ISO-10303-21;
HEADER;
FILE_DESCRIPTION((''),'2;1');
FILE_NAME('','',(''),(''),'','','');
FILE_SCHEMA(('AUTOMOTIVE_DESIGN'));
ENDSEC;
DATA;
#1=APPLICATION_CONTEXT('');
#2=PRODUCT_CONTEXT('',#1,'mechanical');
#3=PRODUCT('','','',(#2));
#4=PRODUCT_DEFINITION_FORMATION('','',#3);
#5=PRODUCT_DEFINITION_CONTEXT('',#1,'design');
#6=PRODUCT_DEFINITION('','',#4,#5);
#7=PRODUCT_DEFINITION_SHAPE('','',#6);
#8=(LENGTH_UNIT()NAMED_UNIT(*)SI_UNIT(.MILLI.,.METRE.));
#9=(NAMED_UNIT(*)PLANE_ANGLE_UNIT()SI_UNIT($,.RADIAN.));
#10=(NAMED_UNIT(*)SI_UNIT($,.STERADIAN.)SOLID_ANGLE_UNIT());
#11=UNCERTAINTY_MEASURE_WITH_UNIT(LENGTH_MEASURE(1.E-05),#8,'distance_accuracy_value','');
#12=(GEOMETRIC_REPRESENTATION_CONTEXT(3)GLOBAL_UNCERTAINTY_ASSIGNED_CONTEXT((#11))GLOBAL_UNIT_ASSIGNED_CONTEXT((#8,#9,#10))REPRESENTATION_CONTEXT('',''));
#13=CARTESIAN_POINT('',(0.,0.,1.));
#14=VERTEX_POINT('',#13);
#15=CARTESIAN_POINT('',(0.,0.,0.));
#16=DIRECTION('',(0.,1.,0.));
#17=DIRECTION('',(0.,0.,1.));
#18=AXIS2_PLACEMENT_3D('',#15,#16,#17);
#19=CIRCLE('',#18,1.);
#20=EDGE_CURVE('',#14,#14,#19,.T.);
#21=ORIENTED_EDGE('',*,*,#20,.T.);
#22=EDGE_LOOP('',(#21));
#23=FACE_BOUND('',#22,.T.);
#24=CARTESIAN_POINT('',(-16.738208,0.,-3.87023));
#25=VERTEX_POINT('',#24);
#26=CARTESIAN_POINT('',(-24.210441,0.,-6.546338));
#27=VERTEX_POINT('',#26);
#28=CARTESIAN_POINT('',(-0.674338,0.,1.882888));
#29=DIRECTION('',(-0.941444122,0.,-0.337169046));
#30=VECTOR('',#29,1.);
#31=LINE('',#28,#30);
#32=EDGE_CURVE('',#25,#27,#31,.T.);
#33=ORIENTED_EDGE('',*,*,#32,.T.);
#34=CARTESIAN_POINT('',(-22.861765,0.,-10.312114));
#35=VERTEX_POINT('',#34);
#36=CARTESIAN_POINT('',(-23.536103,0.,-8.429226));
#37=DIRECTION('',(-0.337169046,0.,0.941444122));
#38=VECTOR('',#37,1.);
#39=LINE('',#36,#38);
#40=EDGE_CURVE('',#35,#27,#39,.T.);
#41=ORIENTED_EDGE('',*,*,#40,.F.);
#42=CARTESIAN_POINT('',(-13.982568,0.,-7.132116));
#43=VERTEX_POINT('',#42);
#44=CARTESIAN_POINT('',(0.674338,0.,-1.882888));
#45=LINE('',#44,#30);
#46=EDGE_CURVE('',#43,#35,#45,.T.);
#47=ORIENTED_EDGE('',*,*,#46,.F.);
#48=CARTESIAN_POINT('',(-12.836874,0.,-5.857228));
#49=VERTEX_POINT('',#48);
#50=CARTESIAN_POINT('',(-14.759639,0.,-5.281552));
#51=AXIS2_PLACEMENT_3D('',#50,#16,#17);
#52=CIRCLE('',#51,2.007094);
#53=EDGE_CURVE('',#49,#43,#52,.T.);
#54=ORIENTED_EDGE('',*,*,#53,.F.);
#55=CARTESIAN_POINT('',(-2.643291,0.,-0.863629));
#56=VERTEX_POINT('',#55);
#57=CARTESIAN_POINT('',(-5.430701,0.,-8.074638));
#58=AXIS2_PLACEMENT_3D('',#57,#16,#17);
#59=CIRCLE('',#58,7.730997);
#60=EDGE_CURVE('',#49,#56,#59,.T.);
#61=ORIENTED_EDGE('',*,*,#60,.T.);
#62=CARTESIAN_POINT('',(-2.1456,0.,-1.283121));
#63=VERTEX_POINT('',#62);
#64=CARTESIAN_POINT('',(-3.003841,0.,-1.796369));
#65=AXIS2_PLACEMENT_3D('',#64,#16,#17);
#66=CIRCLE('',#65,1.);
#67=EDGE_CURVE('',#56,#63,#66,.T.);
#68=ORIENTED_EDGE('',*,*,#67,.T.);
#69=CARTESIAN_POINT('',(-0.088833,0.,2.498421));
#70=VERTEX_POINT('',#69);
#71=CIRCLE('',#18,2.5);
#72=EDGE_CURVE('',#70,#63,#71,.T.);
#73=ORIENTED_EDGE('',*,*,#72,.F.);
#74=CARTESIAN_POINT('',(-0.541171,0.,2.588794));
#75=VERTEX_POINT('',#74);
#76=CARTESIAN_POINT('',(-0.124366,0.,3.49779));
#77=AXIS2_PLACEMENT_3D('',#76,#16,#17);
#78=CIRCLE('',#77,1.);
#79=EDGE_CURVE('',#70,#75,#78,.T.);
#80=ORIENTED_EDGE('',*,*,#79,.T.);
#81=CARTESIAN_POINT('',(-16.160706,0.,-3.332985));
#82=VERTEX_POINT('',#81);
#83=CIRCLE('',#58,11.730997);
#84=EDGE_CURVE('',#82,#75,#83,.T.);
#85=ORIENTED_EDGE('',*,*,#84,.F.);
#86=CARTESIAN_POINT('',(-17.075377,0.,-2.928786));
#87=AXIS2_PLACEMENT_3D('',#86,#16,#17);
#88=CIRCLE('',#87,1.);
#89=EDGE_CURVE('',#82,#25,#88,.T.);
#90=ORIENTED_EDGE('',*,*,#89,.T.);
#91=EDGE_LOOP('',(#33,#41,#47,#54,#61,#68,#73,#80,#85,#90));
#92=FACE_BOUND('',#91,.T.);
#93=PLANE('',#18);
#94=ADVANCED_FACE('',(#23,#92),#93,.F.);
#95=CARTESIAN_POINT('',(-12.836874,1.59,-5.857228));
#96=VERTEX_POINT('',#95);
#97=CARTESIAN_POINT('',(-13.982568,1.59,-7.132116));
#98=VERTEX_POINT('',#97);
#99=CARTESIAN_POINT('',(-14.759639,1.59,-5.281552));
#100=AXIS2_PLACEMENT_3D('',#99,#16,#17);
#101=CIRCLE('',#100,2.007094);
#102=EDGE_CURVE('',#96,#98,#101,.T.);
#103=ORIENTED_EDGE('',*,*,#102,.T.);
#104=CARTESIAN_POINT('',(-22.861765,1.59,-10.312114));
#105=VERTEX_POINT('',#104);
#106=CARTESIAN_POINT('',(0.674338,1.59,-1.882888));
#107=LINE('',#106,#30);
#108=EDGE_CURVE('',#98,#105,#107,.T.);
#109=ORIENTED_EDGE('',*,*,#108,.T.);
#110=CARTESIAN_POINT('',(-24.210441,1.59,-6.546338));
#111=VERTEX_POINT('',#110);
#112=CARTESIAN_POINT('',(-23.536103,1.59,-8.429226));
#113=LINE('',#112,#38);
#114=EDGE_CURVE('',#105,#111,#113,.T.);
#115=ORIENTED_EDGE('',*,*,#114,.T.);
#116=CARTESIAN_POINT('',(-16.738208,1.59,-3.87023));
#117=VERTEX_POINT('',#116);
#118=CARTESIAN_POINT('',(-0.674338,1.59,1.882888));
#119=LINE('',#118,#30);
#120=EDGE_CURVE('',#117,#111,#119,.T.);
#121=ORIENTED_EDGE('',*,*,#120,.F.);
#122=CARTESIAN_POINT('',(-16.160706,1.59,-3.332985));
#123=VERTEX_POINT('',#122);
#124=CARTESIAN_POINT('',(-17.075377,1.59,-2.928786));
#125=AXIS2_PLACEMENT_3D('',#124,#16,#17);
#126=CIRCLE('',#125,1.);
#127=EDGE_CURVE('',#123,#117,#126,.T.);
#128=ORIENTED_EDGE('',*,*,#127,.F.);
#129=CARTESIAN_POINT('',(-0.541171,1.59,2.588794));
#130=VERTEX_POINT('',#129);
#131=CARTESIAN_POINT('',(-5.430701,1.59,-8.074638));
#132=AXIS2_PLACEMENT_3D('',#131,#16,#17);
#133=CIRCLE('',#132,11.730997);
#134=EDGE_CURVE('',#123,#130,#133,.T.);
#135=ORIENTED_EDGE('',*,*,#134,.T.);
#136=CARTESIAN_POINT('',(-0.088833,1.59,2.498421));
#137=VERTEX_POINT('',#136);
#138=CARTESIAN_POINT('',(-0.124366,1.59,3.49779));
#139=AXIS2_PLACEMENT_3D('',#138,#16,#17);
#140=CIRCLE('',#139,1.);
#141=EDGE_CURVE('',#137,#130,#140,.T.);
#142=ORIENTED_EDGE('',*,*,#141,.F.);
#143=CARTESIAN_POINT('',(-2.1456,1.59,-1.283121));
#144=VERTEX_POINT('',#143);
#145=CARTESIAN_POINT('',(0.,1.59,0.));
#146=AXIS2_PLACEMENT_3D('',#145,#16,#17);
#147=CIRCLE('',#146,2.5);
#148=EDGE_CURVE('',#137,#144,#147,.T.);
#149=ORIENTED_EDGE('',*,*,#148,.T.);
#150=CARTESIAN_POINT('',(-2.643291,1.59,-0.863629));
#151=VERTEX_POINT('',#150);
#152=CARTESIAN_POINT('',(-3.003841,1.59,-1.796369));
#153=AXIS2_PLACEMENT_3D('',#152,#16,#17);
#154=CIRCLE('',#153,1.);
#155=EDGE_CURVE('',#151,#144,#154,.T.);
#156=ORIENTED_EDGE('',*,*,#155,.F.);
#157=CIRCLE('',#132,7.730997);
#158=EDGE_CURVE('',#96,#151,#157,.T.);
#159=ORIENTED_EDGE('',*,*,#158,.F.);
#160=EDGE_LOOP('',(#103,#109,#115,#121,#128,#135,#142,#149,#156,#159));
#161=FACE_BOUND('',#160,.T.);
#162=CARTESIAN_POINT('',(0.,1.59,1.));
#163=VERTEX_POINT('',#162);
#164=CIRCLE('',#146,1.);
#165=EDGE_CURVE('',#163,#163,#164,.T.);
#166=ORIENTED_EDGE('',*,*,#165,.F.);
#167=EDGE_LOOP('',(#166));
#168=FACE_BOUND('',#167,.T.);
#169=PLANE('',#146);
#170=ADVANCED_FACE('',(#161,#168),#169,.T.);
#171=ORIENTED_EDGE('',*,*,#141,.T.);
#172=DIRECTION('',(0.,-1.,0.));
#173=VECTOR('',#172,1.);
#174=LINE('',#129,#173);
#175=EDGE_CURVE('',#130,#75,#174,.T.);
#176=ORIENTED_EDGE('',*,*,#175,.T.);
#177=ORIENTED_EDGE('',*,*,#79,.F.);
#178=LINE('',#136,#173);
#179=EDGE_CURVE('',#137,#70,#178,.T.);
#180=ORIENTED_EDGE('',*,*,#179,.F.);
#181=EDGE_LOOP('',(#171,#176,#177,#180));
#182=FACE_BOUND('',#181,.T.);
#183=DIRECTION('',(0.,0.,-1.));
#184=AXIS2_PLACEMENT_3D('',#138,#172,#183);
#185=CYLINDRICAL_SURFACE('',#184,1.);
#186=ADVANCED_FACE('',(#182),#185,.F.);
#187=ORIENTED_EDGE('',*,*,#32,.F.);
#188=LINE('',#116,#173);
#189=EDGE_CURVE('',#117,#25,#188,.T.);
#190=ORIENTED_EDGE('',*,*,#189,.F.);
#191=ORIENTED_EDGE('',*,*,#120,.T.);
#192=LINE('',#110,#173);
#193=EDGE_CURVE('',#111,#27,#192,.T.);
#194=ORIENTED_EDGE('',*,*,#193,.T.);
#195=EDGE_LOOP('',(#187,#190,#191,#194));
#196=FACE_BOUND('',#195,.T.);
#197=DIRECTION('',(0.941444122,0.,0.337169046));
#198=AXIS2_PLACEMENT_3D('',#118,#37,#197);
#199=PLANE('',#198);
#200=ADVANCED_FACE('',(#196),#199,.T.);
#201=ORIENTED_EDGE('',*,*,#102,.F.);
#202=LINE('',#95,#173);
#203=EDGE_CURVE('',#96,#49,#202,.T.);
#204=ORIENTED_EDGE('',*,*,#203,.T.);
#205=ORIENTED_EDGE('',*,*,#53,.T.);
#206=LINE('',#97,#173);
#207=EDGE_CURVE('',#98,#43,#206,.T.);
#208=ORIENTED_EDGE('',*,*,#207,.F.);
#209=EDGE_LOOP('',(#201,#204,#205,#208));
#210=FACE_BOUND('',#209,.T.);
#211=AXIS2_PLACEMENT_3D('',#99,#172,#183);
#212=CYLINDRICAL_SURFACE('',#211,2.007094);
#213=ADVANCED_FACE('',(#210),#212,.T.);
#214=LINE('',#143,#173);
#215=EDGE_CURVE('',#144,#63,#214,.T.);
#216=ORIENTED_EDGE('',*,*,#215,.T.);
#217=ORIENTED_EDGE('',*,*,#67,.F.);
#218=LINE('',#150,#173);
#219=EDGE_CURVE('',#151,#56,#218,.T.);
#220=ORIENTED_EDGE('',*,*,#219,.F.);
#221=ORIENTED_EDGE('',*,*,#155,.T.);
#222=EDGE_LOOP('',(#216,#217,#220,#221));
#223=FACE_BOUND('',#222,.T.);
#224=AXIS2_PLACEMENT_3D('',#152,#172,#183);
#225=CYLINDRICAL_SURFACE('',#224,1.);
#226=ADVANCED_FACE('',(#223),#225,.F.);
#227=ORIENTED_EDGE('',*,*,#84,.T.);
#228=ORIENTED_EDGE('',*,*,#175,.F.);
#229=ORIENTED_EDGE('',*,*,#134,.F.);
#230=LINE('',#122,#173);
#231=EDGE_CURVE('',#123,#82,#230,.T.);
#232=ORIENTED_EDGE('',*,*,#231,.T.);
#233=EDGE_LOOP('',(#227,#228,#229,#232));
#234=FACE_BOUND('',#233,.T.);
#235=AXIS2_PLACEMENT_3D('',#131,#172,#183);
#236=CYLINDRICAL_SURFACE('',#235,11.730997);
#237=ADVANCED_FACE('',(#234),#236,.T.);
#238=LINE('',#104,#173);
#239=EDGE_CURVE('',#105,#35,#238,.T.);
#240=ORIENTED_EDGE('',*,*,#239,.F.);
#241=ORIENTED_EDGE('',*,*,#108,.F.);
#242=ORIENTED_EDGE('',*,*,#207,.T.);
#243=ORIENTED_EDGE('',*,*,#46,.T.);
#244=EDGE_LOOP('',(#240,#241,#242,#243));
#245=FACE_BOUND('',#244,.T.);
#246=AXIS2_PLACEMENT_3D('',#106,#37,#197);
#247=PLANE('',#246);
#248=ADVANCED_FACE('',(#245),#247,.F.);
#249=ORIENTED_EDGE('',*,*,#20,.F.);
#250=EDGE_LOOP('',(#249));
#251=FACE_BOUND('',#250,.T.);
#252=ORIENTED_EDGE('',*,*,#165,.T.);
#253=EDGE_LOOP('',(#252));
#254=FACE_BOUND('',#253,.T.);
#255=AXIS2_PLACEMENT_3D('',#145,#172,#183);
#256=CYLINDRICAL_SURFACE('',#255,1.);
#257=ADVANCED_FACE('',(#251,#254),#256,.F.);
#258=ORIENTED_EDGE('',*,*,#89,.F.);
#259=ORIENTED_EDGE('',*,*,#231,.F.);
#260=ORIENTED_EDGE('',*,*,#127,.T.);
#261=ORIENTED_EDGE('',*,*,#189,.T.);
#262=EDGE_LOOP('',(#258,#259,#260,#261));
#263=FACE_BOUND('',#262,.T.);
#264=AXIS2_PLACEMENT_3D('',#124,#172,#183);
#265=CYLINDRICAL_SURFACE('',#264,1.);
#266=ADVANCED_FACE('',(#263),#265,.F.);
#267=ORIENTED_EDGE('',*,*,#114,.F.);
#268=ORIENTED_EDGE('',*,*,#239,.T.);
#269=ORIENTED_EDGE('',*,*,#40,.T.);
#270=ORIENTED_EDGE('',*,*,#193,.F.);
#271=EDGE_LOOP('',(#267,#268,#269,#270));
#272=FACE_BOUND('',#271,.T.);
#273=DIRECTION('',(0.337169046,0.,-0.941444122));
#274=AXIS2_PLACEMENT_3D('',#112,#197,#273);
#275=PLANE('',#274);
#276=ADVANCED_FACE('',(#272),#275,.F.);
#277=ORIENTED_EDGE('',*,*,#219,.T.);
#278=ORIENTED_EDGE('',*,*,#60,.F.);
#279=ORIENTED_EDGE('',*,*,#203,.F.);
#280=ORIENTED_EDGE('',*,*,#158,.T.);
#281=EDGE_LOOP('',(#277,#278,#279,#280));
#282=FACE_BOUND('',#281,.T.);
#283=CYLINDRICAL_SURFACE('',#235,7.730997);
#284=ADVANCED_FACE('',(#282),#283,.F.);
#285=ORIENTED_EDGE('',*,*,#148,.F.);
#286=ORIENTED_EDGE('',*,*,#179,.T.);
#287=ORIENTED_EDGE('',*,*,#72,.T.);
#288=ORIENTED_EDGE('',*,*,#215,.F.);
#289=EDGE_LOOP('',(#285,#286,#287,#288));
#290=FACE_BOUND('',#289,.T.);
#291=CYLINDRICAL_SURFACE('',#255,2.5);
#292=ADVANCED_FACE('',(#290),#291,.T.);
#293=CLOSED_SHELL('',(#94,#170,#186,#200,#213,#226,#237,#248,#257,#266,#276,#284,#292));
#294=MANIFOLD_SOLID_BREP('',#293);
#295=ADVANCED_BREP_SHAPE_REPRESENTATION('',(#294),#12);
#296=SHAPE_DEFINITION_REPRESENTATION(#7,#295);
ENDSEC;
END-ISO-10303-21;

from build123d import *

# Parameters (mm, degrees)
SKETCH1_R           = 1
BOSS_EXTRUDE1_DEPTH = 1.59


with BuildPart() as part:
    # Sketch1 → Boss-Extrude1 (new body)
    with BuildSketch(Plane(origin=(0, 0, 0), x_dir=(1, 0, 0), z_dir=(0, 1, 0))):
        with BuildLine():
            Line((-13.982567653, 7.132116323), (-22.861764958, 10.312114381))
            Line((-22.861764958, 10.312114381), (-24.21044114, 6.546337894))
            Line((-24.21044114, 6.546337894), (-16.738208265, 3.870230446))
            ThreePointArc((-16.738208265, 3.870230446), (-16.394250173, 3.660951485), (-16.160706095, 3.332984998))
            ThreePointArc((-16.160706095, 3.332984998), (-9.589384902, -2.894483489), (-0.541170736, -2.5887935))
            ThreePointArc((-0.541170736, -2.5887935), (-0.320283974, -2.517169363), (-0.088833144, -2.498421236))
            ThreePointArc((-0.088833144, -2.498421236), (2.19617582, 1.194492264), (-2.145600439, 1.283120709))
            ThreePointArc((-2.145600439, 1.283120709), (-2.359359709, 1.03174859), (-2.643290683, 0.863629079))
            ThreePointArc((-2.643290683, 0.863629079), (-8.831767295, 1.131940065), (-12.836874427, 5.857228461))
            ThreePointArc((-12.836874427, 5.857228461), (-13.266784954, 6.623123616), (-13.982567653, 7.132116323))
        make_face()
        Circle(SKETCH1_R, mode=Mode.SUBTRACT)
    extrude(amount=BOSS_EXTRUDE1_DEPTH)


solid = part.part
